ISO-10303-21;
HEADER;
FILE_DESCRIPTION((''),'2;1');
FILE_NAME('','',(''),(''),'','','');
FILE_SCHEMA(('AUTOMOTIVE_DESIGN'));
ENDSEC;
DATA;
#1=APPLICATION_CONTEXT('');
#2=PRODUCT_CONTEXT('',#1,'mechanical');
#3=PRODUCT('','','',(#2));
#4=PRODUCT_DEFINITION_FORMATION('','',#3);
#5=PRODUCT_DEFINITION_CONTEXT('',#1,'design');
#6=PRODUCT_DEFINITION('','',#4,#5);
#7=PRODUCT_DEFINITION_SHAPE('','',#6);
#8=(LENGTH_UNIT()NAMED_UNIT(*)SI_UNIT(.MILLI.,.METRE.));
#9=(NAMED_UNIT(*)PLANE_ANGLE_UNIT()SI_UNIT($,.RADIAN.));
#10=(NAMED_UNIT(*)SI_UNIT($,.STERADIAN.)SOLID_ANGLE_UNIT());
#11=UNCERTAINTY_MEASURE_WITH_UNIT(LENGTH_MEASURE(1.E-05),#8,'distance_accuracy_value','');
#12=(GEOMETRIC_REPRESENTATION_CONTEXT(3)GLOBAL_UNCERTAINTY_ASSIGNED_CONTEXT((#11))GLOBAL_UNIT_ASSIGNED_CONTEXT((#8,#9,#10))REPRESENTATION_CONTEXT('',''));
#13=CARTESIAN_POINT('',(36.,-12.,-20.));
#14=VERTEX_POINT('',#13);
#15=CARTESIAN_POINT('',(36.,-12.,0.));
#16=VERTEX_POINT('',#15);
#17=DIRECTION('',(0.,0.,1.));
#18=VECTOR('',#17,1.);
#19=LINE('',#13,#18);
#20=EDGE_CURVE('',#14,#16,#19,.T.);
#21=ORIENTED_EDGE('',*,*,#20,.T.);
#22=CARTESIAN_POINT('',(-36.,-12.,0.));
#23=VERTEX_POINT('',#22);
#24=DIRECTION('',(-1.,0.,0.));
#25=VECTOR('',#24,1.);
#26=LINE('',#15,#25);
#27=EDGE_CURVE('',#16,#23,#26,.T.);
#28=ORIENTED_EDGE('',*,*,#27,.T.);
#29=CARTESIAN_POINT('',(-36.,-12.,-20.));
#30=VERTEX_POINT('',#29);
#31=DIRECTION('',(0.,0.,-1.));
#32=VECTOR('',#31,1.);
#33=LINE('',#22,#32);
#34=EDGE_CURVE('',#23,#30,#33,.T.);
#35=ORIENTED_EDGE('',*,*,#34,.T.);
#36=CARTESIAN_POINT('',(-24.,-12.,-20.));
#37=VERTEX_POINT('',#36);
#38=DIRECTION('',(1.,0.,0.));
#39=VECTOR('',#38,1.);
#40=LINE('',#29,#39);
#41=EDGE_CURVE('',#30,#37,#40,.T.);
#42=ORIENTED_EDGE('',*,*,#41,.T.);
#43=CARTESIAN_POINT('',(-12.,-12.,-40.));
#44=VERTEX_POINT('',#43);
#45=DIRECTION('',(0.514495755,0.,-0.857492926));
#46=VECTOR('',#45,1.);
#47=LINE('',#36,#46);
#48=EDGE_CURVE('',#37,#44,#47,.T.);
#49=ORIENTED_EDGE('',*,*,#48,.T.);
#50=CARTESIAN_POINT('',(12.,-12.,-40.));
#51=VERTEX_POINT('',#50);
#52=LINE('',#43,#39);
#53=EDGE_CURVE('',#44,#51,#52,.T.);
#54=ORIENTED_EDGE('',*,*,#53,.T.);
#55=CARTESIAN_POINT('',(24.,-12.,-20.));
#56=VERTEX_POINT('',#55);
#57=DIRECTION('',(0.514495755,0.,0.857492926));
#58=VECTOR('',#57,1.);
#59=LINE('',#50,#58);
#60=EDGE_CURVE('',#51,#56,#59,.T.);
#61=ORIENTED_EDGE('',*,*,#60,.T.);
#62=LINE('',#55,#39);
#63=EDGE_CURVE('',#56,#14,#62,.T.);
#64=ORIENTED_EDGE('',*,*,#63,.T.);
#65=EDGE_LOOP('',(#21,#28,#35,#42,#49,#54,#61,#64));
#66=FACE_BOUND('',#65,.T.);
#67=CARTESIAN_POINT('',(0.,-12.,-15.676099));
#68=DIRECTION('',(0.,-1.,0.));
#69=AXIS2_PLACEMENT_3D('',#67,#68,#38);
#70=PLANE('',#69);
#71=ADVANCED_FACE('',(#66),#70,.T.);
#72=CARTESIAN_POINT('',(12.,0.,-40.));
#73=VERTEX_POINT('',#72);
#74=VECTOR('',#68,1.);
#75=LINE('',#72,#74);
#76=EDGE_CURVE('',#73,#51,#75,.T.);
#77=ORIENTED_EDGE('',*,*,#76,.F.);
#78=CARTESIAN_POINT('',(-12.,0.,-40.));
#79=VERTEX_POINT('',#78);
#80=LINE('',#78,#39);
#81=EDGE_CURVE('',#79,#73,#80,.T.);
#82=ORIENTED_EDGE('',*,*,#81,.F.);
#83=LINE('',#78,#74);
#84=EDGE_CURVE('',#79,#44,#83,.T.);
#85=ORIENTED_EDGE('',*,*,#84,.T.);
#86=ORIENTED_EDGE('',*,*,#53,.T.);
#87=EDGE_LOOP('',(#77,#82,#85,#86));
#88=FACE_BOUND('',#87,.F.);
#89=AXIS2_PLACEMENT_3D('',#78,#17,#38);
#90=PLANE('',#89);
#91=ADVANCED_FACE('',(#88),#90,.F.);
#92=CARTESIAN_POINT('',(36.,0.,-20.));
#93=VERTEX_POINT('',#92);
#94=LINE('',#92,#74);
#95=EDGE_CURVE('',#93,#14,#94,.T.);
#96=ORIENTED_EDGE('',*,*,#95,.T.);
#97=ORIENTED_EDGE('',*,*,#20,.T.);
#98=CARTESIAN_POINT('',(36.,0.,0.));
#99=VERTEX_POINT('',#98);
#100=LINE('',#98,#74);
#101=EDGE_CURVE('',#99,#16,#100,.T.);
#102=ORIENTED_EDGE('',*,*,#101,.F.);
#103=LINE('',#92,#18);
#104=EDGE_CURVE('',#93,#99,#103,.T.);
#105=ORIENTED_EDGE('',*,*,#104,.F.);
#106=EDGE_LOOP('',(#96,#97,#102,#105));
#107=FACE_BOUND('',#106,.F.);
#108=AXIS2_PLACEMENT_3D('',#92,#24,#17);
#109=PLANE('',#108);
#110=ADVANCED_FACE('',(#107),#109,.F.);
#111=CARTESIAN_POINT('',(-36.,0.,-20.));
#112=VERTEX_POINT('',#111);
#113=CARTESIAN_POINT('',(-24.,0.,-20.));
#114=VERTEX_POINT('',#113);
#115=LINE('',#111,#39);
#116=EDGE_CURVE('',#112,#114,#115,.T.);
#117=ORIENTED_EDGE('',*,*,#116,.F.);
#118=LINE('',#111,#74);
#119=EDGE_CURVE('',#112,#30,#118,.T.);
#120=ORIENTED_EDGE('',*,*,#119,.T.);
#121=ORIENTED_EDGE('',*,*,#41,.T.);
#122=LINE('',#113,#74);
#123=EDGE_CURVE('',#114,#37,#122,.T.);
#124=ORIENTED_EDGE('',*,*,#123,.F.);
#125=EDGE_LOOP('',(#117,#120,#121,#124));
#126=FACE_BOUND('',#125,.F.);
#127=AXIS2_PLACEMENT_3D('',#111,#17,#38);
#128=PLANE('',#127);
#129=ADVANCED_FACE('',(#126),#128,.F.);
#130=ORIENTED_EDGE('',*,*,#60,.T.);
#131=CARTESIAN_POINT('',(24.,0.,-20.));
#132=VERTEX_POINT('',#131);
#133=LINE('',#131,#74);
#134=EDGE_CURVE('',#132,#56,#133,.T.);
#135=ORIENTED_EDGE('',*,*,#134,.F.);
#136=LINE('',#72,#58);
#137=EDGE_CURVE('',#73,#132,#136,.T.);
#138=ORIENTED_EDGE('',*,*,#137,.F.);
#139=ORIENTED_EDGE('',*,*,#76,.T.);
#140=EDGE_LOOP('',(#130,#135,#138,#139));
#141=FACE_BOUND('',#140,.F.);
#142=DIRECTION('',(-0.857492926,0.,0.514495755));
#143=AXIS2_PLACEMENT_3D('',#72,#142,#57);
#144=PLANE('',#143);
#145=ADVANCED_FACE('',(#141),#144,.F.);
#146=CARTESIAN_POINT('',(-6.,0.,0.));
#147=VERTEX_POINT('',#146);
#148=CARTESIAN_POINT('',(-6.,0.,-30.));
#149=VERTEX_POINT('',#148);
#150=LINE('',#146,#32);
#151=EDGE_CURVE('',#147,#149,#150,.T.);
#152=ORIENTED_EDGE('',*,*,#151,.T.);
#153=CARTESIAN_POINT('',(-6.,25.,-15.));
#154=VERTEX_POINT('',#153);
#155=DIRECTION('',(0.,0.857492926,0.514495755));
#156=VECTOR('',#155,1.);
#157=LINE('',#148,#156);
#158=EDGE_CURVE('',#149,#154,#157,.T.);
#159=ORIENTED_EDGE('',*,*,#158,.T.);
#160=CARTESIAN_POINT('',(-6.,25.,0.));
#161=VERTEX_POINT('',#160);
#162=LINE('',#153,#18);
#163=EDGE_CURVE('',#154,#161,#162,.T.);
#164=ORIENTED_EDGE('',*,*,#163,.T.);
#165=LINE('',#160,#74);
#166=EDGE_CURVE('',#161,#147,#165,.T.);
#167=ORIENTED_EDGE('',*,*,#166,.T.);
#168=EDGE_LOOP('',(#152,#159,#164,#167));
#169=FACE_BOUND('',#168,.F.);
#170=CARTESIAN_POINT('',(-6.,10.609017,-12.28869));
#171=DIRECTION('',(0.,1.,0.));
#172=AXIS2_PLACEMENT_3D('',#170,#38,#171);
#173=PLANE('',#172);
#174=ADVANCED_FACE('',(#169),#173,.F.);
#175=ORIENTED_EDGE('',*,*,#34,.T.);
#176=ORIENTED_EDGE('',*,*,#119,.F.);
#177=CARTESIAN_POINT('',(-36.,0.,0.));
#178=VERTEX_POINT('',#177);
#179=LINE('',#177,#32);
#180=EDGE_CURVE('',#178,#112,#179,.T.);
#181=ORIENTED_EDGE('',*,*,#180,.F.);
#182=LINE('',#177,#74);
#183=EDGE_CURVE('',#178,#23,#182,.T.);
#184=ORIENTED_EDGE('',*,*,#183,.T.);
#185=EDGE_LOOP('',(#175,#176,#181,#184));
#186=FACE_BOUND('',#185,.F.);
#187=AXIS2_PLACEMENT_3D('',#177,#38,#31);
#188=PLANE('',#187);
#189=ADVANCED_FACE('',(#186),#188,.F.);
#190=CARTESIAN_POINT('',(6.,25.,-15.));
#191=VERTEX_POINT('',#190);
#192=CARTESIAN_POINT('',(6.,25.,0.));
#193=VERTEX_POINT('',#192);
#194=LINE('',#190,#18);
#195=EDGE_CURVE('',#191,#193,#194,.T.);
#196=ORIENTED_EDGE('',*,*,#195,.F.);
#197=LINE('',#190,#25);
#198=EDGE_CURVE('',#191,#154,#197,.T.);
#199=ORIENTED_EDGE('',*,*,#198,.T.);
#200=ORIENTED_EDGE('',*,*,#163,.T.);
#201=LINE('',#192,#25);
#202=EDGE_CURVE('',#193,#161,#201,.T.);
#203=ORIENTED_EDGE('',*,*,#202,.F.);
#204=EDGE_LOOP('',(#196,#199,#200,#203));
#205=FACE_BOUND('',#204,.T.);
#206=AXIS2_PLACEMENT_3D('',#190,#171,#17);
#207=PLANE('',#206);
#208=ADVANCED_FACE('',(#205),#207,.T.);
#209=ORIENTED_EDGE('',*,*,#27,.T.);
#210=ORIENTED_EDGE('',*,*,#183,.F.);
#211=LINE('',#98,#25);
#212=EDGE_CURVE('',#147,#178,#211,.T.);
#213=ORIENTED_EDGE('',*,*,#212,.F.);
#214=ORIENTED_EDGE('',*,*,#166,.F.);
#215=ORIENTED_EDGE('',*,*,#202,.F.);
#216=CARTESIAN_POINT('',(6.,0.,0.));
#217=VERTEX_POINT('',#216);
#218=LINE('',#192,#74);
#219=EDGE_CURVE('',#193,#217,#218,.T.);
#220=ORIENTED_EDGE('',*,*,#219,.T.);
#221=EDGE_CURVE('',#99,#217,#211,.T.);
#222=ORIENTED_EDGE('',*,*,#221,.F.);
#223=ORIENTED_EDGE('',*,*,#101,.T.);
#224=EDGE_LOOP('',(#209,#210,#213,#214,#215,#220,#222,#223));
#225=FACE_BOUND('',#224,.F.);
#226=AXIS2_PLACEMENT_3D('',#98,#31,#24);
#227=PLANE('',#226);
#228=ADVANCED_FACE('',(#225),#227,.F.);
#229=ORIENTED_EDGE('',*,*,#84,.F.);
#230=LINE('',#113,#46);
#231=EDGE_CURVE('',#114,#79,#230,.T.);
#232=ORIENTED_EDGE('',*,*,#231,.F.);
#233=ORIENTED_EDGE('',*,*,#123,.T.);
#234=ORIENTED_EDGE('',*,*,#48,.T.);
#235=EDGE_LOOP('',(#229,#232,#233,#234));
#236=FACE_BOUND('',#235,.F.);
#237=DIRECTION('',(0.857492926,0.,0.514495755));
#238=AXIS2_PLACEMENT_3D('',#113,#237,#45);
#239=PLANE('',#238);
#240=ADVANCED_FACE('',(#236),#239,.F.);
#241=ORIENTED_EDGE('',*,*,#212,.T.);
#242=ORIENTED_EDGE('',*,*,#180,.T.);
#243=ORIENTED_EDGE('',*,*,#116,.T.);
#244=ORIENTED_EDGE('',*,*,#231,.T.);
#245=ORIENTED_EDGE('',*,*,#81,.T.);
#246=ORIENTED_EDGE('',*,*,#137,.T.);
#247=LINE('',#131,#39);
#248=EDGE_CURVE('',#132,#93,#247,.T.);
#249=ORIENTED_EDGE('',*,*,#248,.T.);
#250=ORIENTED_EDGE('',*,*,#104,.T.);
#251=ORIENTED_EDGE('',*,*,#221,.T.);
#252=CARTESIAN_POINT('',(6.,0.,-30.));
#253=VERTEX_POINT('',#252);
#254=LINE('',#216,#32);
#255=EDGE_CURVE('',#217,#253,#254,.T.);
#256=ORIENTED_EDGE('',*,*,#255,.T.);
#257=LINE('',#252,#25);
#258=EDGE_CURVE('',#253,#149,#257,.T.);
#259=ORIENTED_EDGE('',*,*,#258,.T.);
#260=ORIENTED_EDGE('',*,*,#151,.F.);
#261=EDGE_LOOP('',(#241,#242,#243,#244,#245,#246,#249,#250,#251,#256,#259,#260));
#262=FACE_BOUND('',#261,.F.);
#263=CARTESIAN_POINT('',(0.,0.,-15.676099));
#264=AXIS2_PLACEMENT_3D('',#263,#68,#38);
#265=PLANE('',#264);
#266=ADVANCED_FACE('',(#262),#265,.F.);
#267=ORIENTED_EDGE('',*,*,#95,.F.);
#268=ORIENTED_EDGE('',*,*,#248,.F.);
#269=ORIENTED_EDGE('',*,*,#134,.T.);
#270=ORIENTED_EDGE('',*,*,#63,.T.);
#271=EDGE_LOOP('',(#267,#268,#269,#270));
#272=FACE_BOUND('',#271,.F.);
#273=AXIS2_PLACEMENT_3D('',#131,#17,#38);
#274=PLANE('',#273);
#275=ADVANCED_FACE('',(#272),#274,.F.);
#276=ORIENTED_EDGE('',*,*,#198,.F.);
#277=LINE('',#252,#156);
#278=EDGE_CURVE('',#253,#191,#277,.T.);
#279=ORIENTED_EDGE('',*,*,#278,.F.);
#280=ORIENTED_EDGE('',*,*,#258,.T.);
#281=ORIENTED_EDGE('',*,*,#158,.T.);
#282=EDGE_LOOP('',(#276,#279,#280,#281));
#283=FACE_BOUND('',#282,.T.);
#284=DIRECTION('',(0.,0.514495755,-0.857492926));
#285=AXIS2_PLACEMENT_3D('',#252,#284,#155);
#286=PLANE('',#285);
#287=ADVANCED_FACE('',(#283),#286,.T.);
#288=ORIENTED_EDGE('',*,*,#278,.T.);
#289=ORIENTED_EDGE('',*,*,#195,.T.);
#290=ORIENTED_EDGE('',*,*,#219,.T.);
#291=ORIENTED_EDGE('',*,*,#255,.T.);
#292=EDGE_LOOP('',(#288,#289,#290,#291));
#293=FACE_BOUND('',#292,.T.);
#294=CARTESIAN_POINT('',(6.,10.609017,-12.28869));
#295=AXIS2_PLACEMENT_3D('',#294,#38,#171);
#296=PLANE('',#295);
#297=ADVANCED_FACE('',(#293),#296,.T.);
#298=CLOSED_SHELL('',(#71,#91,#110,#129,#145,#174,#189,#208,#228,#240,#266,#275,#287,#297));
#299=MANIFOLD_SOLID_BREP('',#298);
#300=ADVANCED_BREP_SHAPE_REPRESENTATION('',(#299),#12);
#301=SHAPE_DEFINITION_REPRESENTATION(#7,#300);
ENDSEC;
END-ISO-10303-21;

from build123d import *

# Parameters (mm, degrees)
F1_DEPTH = 12
F4_DEPTH = 12


with BuildPart() as f1:
    # F0 (on Front) → F1 (new body)
    with BuildSketch(Plane.XZ):
        Polygon((36, 0), (-36, 0), (-36, -20), (-24, -20), (-12, -40), (12, -40), (24, -20), (36, -20), align=None)
    extrude(amount=F1_DEPTH)

    # F3 (on offset) → F4 (join)
    with BuildSketch(Plane.YZ.offset(6)):
        Polygon((0, 0), (0, -20), (0, -30), (25, -15), (25, 0), align=None)
    extrude(amount=-F4_DEPTH)


solid = f1.part
